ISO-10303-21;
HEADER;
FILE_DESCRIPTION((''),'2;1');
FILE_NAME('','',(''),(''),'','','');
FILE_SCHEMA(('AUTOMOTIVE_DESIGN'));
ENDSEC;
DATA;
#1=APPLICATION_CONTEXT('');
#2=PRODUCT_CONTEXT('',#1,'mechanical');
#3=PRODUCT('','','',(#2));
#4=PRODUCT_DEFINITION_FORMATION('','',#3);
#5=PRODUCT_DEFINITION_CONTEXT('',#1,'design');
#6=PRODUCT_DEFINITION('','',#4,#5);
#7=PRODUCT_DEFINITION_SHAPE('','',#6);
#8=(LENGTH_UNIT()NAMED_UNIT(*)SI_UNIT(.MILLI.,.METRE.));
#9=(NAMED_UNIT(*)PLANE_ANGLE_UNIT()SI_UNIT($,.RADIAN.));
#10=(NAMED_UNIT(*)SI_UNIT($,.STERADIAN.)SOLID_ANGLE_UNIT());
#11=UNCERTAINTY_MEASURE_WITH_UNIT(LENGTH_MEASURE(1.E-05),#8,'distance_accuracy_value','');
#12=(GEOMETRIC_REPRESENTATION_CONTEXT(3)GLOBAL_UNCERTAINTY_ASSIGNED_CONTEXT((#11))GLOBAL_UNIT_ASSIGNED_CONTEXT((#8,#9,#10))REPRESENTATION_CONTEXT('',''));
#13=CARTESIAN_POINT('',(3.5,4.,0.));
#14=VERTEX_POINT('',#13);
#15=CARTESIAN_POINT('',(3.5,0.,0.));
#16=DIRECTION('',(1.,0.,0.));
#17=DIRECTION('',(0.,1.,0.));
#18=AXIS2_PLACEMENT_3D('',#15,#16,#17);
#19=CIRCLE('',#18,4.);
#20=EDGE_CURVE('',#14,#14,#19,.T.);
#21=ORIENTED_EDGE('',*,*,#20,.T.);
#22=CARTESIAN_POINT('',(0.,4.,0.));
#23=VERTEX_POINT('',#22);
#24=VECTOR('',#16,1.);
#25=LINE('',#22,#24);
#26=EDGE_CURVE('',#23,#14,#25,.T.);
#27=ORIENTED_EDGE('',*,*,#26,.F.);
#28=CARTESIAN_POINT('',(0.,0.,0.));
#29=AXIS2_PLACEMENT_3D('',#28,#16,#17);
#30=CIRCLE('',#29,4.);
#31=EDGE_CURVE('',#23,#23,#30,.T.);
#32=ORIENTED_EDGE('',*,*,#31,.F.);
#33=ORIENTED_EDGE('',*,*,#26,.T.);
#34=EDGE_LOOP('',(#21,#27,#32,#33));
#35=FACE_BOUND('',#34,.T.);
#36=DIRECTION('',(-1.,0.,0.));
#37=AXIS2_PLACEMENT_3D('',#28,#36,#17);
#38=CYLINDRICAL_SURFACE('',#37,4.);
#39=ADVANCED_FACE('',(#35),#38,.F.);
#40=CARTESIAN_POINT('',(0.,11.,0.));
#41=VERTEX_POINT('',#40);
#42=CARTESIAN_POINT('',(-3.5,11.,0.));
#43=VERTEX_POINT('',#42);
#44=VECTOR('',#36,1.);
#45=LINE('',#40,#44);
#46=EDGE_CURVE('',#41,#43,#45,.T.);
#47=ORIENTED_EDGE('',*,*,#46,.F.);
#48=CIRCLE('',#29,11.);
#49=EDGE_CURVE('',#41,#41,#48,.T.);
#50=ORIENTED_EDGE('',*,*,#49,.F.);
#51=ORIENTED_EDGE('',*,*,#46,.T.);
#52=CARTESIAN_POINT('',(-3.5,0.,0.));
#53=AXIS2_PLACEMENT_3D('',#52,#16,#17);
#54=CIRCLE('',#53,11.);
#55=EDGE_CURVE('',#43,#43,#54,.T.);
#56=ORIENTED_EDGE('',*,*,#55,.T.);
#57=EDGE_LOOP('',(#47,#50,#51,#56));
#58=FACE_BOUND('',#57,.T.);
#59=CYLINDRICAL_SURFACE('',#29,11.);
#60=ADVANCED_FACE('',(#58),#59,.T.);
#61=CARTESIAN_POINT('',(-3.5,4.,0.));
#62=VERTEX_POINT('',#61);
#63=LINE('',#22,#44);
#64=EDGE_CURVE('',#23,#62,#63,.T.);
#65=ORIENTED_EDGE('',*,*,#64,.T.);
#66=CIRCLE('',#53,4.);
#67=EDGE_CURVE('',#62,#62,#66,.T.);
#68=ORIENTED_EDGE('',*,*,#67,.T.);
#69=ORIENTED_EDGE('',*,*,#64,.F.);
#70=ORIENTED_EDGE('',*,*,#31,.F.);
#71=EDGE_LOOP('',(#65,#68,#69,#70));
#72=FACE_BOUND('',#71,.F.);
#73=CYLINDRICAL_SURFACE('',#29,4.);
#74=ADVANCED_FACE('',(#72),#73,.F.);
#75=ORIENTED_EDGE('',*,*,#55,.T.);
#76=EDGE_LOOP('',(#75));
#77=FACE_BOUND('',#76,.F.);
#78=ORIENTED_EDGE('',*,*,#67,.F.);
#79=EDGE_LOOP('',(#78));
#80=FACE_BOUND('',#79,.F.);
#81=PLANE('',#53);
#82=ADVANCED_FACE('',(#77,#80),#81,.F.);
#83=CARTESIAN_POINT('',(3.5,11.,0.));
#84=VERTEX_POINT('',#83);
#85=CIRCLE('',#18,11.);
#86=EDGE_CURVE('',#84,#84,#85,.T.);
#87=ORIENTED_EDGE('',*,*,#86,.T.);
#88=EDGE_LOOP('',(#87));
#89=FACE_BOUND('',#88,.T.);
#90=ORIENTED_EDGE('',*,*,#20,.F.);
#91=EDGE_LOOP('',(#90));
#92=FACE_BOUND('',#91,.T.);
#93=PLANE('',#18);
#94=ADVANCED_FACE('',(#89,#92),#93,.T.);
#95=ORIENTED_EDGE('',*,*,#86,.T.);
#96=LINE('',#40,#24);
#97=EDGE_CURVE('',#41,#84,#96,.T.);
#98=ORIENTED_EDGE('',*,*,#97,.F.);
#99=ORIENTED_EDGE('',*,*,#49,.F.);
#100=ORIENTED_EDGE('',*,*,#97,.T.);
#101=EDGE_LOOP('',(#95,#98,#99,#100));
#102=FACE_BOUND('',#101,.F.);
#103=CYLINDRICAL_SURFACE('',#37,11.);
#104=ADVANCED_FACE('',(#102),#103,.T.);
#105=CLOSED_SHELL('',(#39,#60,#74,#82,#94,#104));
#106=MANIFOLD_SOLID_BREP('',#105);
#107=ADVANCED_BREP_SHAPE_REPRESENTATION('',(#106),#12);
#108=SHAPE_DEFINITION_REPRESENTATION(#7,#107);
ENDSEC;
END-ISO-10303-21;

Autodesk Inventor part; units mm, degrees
ref_plane "YZ Plane" through (0, 0, 0) normal (1, 0, 0) x (0, 1, 0)
ref_plane "XZ Plane" through (0, 0, 0) normal (0, 1, 0) x (-1, 0, 0)
sketch "Sketch1" plane through (0, 0, 0) normal (1, 0, 0) x (0, 1, 0)
  circle A0 centre (0, 0) radius 4
  circle A1 centre (0, 0) radius 11
  dimension "d0" = 8
  dimension "d1" = 22
extrude "Extrusion1" add sketch "Sketch1" along normal mid plane 7
ref_plane "Work Plane1" through (0, 0, 0) normal (-1, 0, 0) x (0, 0, 1)
equation "\"d0\" = BearingShaftDiameter"
equation "\"d2\" = BearingWidth"
equation "\"d4\" = -0.5 * BearingWidth"
equation "\"BearingShaftDiameter\" = 8"
equation "\"BearingWidth\" = 7"
properties part number "Bearing"
